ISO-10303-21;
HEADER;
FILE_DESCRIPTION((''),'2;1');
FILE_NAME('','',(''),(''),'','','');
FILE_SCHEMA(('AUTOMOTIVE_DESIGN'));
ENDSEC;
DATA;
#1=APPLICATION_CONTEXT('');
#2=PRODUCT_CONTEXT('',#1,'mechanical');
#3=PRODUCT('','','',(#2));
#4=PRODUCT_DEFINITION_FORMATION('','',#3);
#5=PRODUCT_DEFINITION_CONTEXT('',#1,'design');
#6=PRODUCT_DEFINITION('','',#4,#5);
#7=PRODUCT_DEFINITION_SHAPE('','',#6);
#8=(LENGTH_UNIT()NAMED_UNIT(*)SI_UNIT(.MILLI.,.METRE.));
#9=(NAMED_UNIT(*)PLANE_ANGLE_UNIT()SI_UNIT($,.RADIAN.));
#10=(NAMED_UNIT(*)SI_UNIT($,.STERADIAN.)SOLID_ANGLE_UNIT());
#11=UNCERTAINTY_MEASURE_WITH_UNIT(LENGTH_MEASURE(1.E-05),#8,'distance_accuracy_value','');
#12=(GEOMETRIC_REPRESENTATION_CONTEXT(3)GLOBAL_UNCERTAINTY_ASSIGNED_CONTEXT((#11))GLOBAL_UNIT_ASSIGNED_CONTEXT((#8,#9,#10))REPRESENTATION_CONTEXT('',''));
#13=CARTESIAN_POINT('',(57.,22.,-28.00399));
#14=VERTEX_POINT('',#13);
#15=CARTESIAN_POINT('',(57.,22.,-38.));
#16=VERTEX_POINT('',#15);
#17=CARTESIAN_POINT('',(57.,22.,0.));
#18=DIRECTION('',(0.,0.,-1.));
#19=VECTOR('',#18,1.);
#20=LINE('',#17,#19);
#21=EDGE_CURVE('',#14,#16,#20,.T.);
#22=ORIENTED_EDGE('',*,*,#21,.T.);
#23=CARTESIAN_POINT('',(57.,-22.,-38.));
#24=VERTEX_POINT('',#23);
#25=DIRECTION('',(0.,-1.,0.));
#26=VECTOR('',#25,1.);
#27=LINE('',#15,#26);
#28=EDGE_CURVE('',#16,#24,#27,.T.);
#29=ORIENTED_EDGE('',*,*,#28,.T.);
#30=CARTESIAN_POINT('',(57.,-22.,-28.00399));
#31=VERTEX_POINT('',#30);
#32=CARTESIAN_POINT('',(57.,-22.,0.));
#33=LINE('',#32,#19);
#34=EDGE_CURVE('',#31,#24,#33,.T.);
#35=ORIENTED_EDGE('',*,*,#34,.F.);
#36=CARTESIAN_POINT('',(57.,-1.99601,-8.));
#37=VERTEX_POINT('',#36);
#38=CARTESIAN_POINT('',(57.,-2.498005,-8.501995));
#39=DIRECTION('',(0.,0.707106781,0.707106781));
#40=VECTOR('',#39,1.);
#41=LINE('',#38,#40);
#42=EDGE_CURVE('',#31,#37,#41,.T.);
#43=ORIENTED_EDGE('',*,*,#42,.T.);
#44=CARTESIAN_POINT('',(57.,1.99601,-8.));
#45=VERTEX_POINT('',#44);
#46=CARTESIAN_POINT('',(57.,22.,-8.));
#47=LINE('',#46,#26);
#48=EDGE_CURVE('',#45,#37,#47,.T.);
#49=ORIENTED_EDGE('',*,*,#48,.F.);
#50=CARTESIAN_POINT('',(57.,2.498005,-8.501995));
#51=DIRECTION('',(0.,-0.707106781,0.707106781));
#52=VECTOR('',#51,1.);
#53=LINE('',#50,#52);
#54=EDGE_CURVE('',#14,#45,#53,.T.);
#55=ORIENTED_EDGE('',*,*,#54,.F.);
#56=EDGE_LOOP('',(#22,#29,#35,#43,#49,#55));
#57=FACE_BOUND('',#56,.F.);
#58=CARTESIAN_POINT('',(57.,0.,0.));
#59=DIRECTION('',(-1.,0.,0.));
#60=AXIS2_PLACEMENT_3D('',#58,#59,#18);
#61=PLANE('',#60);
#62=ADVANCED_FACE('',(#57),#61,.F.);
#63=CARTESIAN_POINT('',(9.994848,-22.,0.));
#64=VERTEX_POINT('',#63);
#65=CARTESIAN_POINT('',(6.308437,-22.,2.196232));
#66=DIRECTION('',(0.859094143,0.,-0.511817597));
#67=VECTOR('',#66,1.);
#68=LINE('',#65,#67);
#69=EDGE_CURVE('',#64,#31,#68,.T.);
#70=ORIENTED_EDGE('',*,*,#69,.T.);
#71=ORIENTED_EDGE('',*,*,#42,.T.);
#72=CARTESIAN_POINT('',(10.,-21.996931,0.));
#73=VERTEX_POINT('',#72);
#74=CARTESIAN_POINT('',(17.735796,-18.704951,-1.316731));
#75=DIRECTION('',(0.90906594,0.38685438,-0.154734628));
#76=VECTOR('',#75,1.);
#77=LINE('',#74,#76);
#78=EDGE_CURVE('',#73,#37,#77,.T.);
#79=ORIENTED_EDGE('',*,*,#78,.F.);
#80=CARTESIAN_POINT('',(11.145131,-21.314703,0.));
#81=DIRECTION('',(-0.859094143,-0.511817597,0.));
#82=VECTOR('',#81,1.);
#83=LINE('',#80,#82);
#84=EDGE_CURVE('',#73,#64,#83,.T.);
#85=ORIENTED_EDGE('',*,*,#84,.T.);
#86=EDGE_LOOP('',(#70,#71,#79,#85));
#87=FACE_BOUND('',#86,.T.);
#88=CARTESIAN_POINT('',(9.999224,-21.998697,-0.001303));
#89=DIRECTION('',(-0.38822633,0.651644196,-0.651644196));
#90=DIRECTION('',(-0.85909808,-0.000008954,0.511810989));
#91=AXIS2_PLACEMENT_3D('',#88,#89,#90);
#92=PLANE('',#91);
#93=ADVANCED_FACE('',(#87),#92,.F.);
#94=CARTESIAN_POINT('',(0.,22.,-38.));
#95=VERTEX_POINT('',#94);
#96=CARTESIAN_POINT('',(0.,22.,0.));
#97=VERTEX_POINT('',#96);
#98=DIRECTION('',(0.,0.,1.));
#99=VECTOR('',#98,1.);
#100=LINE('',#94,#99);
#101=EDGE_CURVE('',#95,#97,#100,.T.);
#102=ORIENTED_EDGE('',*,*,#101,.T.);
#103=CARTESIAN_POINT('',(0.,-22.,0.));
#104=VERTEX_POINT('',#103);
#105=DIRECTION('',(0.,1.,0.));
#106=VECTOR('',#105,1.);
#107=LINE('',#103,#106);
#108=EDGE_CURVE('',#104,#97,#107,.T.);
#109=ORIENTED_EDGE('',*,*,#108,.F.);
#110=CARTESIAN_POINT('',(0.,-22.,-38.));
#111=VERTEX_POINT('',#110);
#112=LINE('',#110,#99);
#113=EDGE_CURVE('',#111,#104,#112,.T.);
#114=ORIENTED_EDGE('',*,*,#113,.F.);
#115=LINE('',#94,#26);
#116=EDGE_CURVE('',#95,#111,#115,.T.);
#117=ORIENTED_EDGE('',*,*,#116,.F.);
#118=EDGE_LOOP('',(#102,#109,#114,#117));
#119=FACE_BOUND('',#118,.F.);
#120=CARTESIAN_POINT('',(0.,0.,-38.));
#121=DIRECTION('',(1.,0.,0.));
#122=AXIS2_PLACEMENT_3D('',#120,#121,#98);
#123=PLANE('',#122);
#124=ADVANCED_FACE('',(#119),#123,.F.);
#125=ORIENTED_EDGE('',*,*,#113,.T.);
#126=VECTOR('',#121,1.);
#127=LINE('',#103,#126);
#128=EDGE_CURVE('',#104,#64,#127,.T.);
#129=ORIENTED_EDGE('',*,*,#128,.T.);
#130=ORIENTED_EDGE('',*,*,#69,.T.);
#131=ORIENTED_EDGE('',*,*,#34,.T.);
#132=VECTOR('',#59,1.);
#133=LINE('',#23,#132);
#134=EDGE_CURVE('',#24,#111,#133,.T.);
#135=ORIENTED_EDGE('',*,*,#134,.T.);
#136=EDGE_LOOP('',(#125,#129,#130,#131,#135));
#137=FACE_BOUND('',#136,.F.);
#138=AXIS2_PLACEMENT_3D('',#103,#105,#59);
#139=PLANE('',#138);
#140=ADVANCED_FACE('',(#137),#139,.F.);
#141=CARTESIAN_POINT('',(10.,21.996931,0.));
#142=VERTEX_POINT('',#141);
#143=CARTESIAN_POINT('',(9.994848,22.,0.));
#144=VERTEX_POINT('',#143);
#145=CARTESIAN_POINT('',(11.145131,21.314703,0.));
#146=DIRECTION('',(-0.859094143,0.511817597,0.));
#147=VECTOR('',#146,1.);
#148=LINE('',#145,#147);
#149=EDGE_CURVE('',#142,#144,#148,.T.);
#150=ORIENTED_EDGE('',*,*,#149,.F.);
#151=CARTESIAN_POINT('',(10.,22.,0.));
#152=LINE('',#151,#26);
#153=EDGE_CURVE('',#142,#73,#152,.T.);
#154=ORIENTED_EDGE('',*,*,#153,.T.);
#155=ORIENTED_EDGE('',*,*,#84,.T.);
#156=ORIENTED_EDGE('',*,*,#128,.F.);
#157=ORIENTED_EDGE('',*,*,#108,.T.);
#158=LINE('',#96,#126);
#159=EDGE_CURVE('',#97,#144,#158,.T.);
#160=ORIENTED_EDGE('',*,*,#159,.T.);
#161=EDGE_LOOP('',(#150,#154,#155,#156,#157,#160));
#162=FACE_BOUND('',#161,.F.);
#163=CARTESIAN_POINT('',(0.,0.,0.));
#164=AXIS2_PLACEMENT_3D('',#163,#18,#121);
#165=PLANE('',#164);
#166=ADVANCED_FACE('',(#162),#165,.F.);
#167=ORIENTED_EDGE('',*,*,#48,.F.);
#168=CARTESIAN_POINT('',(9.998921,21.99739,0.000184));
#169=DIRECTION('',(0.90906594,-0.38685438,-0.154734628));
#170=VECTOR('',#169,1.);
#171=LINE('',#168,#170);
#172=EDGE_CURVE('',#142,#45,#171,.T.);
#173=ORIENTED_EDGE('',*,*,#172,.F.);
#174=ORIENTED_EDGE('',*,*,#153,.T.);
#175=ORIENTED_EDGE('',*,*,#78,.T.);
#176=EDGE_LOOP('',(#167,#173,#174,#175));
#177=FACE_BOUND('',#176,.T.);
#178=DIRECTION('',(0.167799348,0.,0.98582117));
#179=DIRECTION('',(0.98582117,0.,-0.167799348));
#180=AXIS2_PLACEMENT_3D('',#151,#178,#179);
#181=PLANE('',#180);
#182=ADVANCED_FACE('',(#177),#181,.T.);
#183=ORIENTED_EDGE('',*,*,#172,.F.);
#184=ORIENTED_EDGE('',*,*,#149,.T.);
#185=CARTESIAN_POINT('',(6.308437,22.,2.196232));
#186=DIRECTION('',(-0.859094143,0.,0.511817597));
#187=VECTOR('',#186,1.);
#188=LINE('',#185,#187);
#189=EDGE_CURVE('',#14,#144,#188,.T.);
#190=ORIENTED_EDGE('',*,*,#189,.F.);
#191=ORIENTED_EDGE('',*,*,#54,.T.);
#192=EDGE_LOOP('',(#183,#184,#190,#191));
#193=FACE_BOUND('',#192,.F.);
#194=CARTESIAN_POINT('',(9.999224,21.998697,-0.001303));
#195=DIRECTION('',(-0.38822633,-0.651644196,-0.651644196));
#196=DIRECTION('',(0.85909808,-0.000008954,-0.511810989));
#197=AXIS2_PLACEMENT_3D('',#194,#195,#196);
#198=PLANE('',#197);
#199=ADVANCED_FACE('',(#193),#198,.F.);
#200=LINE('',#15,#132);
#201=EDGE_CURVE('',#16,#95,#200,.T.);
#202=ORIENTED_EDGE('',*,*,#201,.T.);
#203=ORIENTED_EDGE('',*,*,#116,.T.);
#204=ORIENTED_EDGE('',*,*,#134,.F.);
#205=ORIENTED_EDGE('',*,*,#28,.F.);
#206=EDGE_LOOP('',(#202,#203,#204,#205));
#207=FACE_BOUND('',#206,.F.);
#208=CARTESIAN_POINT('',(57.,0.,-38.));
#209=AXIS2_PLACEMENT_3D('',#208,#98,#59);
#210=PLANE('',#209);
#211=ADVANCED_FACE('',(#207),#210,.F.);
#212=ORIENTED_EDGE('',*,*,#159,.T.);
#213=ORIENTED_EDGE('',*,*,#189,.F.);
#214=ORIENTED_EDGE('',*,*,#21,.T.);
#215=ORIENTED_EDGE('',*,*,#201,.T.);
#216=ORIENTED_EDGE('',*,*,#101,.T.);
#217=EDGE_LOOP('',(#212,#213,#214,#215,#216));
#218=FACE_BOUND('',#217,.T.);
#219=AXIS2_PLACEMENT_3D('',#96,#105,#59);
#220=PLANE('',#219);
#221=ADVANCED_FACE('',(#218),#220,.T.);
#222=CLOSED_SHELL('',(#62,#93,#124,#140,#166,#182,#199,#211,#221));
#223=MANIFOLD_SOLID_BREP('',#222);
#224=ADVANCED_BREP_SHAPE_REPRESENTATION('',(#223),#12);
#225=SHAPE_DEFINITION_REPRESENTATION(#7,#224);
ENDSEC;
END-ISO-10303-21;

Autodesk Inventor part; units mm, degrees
ref_plane "YZ Plane" through (0, 0, 0) normal (1, 0, 0) x (0, 1, 0)
ref_plane "XZ Plane" through (0, 0, 0) normal (0, 1, 0) x (-1, 0, 0)
sketch "草圖1" plane through (0, 0, 0) normal (0, 1, 0) x (-1, 0, 0)
  line L0 (0, 0) -> (-57, 0)
  line L1 (-57, 0) -> (-57, -38)
  line L2 (-57, -38) -> (0, -38)
  line L3 (0, -38) -> (0, 0)
  dimension "d0" = 57
  dimension "d1" = 38
extrude "擠出1" add sketch "草圖1" along normal mid plane 44
sketch "草圖2" plane through (0, 22, 0) normal (0, 1, 0) x (1, 0, 0)
  line L0 (0, 0) -> (57, 0) projected
  line L1 (10, 0) -> (57, 8)
  line L2 (57, 0) -> (57, 38) projected
  dimension "d4" = 10
  dimension "d5" = 30
extrude "擠出2" cut sketch "草圖2" against normal blind 60
sketch "草圖3" plane through (57, -22, -38) normal (1, 0, 0) x (0, 0, -1)
  line L0 (-30, 24) -> (-10, 44)
  line L1 (0, 44) -> (-38, 44) projected
  line L2 (-30, 44) -> (-30, 0) projected
  point P0 (-38, 22)
  point P1 (-30, 2)
  dimension "d8" = 20
  dimension "d9" = 20
ref_plane "工作平面1" through (10, 22, 0) normal (-0.3882, -0.6516, -0.6516) x (0.8591, 0, -0.5118)
sketch "草圖4" plane through (10, 22, 0) normal (-0.3882, -0.6516, -0.6516) x (0.8591, 0, -0.5118)
  line L0 (-15.1543, -12.3218) -> (93.717, -12.3218)
  line L1 (93.717, -12.3218) -> (93.717, 28.8166)
  line L2 (93.717, 28.8166) -> (-15.1543, 28.8166)
  line L3 (-15.1543, 28.8166) -> (-15.1543, -12.3218)
  point P0 (-8.591, 13.3523)
extrude "擠出3" cut sketch "草圖4" against normal blind 40
mirror "鏡射1" about plane through (0, 0, 0) normal (0, 1, 0) of "擠出3"
properties part number "52"
